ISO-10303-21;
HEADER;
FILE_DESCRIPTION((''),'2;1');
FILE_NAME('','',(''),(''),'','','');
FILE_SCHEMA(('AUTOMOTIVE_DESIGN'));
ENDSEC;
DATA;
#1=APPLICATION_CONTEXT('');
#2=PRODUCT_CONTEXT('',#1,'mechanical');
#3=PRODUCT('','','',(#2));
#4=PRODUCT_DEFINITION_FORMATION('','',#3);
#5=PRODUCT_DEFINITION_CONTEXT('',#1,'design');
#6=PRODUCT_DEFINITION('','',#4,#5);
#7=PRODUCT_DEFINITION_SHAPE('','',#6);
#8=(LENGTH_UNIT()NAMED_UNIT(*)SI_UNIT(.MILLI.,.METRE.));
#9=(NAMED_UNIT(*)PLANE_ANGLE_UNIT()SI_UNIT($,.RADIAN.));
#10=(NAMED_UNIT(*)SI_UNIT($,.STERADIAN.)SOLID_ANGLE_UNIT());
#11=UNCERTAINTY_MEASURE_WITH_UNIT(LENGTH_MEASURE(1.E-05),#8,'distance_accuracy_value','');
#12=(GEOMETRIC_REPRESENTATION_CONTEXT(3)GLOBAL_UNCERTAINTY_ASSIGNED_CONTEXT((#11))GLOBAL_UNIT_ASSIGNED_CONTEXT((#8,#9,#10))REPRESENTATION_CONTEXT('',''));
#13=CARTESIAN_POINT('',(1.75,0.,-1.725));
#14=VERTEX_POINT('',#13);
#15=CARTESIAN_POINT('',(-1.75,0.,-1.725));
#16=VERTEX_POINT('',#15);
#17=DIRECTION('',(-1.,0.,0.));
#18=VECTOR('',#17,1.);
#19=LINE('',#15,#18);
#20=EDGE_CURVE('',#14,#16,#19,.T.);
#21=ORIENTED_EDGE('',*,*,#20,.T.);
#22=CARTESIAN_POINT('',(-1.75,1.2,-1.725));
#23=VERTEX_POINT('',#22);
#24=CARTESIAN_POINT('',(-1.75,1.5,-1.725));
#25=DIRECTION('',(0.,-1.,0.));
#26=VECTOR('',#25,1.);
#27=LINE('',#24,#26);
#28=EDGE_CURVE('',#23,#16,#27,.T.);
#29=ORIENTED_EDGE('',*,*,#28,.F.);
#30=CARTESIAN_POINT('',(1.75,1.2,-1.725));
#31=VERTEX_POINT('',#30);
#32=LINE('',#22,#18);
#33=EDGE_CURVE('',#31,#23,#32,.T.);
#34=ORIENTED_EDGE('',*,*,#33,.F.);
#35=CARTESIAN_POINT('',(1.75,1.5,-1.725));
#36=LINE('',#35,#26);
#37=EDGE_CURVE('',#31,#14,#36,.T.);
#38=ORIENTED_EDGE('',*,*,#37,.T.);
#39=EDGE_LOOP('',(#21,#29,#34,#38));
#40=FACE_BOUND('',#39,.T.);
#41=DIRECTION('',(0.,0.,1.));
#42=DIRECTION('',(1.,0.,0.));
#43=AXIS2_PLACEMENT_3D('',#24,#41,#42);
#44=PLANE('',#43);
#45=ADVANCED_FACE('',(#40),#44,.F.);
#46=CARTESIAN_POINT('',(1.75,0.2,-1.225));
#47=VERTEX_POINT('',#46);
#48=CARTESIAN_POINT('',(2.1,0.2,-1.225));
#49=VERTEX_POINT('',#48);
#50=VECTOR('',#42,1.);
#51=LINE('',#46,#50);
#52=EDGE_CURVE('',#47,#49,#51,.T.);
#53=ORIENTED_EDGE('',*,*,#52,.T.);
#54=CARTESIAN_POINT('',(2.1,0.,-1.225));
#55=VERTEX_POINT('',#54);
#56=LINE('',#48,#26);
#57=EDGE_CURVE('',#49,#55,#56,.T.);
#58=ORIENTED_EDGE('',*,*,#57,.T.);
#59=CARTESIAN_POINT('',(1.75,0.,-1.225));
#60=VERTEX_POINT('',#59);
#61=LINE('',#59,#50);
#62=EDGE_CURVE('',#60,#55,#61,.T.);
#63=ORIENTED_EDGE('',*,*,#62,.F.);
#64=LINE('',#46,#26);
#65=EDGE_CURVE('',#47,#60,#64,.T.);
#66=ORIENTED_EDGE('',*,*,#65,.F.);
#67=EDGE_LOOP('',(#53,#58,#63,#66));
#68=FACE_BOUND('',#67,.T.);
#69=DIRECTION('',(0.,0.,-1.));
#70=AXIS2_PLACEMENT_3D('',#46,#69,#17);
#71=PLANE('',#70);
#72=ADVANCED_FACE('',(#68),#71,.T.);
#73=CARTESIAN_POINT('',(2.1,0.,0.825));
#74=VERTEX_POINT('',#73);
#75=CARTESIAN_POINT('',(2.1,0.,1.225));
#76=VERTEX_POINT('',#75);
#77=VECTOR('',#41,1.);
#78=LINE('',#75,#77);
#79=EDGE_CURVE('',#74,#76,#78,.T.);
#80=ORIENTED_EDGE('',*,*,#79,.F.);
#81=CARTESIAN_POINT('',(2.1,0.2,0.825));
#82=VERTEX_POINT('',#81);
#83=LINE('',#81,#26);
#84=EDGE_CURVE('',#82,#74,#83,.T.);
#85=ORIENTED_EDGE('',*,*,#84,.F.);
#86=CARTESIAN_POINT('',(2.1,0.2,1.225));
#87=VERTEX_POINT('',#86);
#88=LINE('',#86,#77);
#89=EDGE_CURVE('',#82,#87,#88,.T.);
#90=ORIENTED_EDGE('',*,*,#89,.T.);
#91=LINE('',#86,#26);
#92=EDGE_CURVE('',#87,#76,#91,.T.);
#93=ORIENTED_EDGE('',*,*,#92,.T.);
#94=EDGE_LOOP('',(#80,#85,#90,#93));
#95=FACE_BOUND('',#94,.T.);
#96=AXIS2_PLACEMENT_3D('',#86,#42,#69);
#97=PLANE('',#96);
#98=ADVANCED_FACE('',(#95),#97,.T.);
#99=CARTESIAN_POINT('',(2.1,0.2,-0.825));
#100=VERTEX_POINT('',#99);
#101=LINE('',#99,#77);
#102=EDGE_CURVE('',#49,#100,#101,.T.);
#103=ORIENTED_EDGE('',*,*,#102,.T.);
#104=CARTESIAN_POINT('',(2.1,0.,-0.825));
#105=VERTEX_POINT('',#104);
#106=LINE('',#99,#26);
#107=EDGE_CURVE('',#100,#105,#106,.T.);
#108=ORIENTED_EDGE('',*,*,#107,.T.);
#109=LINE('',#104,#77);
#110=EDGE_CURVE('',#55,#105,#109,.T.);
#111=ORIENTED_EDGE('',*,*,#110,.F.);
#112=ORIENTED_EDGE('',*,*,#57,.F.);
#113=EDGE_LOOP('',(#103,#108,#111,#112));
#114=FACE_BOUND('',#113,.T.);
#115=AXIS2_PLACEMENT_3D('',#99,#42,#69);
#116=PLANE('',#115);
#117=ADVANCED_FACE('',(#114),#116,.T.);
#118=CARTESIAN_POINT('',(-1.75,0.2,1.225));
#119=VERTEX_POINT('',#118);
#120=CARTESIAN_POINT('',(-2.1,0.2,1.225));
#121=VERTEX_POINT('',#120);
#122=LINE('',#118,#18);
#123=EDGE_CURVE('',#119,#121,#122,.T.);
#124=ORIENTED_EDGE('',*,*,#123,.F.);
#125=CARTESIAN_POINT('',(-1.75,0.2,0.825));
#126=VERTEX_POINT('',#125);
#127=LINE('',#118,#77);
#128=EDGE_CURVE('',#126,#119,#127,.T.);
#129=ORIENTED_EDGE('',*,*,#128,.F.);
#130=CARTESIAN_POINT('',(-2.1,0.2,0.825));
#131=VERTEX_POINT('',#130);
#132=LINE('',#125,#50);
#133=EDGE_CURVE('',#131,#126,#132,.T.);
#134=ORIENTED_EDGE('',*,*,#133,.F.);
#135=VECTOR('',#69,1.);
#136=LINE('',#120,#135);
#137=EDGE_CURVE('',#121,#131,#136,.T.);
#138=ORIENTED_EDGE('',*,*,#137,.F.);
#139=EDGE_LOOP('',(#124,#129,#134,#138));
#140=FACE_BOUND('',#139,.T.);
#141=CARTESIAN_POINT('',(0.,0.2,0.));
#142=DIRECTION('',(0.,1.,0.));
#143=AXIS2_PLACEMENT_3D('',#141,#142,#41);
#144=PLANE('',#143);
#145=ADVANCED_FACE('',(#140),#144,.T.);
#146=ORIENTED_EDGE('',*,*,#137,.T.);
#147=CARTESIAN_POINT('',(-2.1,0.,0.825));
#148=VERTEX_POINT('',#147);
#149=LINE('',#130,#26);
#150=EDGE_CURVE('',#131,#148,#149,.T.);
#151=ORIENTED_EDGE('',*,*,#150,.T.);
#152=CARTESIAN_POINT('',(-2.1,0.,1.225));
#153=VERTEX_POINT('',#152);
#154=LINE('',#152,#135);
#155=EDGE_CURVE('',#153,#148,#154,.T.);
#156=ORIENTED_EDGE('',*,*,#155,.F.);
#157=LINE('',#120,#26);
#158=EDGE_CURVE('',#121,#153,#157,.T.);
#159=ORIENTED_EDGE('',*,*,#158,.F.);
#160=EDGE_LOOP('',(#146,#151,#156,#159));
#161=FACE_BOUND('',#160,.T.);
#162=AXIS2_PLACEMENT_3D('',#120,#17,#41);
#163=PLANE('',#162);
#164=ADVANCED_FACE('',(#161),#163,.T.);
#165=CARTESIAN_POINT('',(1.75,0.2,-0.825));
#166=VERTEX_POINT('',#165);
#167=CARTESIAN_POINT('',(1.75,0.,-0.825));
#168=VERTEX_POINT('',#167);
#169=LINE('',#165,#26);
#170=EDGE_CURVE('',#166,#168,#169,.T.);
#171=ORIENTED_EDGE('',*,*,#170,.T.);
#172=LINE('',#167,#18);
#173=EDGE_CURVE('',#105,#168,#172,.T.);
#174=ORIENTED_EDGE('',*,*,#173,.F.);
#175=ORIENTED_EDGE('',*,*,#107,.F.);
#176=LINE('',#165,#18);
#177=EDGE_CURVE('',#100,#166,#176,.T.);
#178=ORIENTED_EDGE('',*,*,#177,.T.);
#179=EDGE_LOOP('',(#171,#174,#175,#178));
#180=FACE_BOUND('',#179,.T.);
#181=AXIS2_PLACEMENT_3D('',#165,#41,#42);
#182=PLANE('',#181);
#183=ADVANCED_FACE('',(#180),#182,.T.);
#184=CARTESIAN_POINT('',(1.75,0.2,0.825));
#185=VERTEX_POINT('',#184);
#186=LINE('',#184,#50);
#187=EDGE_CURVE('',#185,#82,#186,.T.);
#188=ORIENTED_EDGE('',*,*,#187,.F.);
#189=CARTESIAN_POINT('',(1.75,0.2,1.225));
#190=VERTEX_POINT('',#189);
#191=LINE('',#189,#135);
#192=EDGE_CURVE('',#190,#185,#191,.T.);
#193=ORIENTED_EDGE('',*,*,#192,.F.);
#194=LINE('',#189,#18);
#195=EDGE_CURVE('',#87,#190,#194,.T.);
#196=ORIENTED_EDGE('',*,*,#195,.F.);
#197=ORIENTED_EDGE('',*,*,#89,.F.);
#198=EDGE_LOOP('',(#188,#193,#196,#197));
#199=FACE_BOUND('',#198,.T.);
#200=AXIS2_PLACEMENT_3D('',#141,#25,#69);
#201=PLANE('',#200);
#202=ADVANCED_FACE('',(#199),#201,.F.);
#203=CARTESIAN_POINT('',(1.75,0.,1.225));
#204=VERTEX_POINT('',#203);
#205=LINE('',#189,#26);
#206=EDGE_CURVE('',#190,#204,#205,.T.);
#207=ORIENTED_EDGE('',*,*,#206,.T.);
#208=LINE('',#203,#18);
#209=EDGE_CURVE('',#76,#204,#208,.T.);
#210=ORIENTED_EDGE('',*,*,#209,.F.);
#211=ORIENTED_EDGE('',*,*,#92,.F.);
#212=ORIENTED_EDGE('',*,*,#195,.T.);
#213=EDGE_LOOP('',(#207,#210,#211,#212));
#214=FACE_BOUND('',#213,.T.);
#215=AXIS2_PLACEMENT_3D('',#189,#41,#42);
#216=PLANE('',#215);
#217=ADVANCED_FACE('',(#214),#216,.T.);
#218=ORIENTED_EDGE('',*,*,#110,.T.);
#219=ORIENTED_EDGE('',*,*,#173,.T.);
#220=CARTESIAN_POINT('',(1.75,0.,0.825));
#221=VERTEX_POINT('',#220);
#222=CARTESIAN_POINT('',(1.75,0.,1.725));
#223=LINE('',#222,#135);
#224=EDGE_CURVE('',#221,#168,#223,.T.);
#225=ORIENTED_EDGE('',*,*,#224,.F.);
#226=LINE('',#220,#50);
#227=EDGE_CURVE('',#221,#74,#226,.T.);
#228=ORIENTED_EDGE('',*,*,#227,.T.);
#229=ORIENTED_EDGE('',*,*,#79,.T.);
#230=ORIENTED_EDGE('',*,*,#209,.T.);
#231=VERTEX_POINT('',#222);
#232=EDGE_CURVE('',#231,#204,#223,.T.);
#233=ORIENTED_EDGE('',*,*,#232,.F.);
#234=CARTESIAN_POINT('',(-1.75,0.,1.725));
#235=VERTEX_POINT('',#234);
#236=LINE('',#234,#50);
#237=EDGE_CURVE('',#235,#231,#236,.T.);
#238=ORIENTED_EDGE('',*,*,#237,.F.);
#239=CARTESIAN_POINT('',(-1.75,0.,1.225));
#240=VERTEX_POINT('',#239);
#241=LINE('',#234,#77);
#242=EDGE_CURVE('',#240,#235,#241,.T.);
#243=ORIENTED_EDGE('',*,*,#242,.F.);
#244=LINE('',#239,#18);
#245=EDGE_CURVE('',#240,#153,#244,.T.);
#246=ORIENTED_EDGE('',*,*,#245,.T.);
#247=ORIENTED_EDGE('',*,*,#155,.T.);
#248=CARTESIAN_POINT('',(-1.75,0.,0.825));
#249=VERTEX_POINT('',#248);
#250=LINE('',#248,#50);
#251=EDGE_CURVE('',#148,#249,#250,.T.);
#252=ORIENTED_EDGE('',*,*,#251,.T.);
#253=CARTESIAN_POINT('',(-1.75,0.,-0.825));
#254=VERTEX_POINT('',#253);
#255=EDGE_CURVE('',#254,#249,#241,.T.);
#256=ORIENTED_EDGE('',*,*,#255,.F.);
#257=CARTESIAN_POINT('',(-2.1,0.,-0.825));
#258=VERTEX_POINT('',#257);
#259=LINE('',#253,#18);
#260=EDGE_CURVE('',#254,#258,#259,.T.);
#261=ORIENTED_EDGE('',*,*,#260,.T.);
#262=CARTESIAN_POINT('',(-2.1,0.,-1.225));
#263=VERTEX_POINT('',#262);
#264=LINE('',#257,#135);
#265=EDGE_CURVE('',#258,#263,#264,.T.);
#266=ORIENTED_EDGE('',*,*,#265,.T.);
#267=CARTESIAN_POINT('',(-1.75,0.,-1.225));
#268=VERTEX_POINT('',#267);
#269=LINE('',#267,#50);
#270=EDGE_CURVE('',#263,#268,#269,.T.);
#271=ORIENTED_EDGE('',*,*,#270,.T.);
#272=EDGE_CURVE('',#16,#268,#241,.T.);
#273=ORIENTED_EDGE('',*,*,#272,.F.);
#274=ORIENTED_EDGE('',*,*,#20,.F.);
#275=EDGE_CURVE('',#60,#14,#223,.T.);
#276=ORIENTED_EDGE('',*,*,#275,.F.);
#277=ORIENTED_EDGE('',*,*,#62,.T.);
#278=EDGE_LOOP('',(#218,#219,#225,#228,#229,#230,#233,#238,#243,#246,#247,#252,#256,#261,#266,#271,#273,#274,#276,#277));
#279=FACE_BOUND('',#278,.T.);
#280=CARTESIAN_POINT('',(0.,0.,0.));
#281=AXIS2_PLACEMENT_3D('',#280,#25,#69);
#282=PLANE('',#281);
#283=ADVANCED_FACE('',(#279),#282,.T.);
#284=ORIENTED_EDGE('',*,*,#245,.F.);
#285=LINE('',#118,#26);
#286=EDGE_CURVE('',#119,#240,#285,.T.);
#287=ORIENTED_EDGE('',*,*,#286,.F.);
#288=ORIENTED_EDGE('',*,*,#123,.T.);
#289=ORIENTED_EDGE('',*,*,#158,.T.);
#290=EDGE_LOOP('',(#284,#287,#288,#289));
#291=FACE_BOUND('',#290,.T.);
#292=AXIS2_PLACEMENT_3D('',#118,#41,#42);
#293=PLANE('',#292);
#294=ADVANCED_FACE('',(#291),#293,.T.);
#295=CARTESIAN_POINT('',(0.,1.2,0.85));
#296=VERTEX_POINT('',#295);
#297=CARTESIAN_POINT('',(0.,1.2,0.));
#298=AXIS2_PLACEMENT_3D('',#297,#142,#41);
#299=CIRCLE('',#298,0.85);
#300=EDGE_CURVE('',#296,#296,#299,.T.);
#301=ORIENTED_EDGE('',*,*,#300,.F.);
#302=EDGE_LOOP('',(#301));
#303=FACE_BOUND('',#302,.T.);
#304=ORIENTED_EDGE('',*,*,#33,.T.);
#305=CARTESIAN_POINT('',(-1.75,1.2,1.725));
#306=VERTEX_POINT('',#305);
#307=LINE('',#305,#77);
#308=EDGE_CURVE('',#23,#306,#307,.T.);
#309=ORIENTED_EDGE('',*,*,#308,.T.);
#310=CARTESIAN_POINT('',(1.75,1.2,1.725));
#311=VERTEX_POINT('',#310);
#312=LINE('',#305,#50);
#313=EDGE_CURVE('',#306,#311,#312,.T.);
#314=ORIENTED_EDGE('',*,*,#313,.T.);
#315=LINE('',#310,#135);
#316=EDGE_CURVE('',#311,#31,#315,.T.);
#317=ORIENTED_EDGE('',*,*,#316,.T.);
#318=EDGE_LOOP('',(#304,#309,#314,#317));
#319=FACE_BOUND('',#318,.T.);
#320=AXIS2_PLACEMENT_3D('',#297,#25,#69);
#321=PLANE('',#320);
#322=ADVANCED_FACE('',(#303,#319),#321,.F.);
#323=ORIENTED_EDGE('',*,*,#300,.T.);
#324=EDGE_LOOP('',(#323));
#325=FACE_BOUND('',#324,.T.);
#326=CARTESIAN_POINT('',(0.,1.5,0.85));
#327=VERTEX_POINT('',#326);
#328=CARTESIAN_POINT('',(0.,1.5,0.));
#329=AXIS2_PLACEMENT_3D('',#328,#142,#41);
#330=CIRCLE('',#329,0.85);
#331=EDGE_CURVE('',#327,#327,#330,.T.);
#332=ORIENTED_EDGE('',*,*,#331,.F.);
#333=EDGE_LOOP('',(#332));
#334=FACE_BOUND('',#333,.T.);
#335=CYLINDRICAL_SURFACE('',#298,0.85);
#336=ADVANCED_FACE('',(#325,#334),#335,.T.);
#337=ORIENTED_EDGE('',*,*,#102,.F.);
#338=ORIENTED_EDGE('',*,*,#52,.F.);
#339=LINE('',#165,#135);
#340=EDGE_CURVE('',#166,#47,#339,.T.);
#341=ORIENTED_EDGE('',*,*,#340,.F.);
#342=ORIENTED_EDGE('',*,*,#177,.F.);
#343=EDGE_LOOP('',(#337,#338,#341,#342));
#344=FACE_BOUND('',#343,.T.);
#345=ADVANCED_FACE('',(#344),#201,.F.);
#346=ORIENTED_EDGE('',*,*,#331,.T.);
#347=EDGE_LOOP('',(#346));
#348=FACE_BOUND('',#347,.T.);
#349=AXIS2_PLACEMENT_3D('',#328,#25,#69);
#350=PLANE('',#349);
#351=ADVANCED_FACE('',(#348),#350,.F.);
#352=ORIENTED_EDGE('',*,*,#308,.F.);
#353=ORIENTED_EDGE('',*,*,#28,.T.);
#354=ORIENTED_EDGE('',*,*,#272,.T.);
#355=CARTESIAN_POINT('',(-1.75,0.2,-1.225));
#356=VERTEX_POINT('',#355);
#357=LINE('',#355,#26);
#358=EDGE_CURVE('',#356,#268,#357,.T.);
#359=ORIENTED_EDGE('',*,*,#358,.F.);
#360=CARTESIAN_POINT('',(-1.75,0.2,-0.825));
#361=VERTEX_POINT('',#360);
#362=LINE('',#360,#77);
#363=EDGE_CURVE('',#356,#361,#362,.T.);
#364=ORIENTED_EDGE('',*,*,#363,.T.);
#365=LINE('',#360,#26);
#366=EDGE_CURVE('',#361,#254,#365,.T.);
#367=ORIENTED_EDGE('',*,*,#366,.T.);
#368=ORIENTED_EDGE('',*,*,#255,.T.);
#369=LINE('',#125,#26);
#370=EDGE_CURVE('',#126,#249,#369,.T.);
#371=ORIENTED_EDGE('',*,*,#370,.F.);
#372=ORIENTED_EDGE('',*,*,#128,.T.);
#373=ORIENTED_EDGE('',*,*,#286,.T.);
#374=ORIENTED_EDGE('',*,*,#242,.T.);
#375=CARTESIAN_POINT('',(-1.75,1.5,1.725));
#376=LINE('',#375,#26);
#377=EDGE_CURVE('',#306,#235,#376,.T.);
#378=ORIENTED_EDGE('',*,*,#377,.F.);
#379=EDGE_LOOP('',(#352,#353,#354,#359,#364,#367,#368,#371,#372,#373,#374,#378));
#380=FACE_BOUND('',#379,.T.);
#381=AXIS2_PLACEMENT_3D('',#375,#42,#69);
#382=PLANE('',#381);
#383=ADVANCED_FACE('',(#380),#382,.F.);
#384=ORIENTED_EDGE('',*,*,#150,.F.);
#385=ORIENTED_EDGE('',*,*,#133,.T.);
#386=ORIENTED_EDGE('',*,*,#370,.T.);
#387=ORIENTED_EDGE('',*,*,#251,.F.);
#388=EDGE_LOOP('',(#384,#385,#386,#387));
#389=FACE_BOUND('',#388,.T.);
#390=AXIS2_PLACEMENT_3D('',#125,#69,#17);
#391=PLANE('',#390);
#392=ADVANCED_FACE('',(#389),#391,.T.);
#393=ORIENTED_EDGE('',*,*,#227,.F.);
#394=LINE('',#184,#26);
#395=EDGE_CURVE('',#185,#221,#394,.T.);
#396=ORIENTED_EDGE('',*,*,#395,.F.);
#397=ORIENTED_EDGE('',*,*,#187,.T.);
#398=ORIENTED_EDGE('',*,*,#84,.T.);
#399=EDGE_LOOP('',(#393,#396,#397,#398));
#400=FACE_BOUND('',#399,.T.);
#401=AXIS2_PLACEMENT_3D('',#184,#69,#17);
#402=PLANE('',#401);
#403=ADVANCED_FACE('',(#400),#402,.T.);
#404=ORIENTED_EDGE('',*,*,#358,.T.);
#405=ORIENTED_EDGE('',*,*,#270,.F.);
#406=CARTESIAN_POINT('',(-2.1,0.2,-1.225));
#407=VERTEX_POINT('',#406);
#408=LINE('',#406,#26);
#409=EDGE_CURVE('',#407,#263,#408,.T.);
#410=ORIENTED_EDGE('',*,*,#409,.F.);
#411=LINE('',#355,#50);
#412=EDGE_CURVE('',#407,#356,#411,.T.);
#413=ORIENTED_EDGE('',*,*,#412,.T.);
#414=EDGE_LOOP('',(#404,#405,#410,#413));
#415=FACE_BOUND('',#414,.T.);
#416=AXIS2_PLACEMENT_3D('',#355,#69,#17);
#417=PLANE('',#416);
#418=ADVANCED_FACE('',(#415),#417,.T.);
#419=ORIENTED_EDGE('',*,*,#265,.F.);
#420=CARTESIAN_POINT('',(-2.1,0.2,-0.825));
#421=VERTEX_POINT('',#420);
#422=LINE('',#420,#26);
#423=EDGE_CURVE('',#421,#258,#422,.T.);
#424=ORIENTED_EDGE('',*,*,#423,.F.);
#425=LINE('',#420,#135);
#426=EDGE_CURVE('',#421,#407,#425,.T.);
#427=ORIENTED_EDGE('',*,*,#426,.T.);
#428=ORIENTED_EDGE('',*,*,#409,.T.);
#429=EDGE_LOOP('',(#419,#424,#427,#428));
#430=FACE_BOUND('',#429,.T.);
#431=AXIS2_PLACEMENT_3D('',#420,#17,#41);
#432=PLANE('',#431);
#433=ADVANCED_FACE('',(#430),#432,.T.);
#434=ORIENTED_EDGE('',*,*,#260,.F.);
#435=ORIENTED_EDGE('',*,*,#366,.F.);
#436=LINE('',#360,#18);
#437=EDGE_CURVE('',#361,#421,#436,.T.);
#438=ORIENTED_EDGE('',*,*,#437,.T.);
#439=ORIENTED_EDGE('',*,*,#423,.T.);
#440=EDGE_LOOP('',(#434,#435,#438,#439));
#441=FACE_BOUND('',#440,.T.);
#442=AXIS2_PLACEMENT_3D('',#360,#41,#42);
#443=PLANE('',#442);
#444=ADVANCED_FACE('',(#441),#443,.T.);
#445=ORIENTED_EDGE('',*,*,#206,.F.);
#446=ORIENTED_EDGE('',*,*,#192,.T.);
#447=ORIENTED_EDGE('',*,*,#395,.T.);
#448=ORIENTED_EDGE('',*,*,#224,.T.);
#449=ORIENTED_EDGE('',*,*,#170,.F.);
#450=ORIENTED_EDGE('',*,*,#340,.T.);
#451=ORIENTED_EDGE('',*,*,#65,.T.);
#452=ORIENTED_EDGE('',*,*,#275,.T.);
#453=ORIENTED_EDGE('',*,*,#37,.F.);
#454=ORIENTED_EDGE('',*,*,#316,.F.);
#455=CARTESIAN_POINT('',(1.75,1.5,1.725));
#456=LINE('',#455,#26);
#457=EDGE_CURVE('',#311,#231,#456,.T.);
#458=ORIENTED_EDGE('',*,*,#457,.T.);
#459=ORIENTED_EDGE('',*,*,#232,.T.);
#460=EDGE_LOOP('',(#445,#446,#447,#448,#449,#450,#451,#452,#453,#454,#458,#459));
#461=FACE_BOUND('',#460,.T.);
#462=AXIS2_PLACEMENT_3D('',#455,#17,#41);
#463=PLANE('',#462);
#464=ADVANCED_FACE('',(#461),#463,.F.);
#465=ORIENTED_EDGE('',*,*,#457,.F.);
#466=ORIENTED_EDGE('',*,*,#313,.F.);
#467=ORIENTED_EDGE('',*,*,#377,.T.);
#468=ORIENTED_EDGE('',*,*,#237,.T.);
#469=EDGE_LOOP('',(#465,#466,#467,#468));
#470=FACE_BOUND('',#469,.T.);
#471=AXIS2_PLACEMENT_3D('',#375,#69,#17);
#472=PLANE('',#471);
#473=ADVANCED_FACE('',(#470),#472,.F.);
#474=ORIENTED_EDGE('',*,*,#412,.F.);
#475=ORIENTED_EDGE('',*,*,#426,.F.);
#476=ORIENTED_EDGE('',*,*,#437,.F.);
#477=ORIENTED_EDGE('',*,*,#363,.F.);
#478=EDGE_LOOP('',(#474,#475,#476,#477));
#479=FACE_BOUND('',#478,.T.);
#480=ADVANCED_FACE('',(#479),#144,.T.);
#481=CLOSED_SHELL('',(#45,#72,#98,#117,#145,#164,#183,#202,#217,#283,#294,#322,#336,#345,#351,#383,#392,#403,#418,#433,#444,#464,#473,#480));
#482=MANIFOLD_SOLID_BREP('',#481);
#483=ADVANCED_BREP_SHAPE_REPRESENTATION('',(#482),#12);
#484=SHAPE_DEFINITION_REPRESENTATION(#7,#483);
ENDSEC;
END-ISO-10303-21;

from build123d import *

# Parameters (mm, degrees)
SKETCH_2_W          = 3.5
SKETCH_2_H          = 3.45
EXTRUDE_1_DEPTH     = 1.5
SKETCH_3_W          = 0.35
SKETCH_3_H          = 0.4
EXTRUDE_2_DEPTH     = 0.2
SKETCH_4_W          = 3.5
SKETCH_4_H          = 3.45
SKETCH_4_R          = 0.85
CUT_EXTRUDE_1_DEPTH = 0.3


with BuildPart() as part:
    # Эскиз2 → Бобышка-Вытянуть1 (new body)
    with BuildSketch(Plane(origin=(0, 0, 0), x_dir=(1, 0, 0), z_dir=(0, 1, 0))):
        Rectangle(SKETCH_2_W, SKETCH_2_H)
    extrude(amount=EXTRUDE_1_DEPTH)

    # Эскиз3 → Бобышка-Вытянуть2 (add)
    with BuildSketch(Plane(origin=(0, 0, 0), x_dir=(-1, 0, 0), z_dir=(0, -1, 0))):
        with Locations((1.925, -1.025)):
            Rectangle(SKETCH_3_W, SKETCH_3_H)
        with Locations((1.925, 1.025)):
            Rectangle(SKETCH_3_W, SKETCH_3_H)
        with Locations((-1.925, -1.025)):
            Rectangle(SKETCH_3_W, SKETCH_3_H)
        with Locations((-1.925, 1.025)):
            Rectangle(SKETCH_3_W, SKETCH_3_H)
    extrude(amount=-EXTRUDE_2_DEPTH)

    # Эскиз4 → Вырез-Вытянуть1 (cut)
    with BuildSketch(Plane(origin=(0, 1.5, 0), x_dir=(1, 0, 0), z_dir=(0, 1, 0))):
        Rectangle(SKETCH_4_W, SKETCH_4_H)
        with Locations(Location((0, 0, 0), (0, 0, 270))):
            Circle(SKETCH_4_R, mode=Mode.SUBTRACT)
    extrude(amount=-CUT_EXTRUDE_1_DEPTH, mode=Mode.SUBTRACT)


solid = part.part
